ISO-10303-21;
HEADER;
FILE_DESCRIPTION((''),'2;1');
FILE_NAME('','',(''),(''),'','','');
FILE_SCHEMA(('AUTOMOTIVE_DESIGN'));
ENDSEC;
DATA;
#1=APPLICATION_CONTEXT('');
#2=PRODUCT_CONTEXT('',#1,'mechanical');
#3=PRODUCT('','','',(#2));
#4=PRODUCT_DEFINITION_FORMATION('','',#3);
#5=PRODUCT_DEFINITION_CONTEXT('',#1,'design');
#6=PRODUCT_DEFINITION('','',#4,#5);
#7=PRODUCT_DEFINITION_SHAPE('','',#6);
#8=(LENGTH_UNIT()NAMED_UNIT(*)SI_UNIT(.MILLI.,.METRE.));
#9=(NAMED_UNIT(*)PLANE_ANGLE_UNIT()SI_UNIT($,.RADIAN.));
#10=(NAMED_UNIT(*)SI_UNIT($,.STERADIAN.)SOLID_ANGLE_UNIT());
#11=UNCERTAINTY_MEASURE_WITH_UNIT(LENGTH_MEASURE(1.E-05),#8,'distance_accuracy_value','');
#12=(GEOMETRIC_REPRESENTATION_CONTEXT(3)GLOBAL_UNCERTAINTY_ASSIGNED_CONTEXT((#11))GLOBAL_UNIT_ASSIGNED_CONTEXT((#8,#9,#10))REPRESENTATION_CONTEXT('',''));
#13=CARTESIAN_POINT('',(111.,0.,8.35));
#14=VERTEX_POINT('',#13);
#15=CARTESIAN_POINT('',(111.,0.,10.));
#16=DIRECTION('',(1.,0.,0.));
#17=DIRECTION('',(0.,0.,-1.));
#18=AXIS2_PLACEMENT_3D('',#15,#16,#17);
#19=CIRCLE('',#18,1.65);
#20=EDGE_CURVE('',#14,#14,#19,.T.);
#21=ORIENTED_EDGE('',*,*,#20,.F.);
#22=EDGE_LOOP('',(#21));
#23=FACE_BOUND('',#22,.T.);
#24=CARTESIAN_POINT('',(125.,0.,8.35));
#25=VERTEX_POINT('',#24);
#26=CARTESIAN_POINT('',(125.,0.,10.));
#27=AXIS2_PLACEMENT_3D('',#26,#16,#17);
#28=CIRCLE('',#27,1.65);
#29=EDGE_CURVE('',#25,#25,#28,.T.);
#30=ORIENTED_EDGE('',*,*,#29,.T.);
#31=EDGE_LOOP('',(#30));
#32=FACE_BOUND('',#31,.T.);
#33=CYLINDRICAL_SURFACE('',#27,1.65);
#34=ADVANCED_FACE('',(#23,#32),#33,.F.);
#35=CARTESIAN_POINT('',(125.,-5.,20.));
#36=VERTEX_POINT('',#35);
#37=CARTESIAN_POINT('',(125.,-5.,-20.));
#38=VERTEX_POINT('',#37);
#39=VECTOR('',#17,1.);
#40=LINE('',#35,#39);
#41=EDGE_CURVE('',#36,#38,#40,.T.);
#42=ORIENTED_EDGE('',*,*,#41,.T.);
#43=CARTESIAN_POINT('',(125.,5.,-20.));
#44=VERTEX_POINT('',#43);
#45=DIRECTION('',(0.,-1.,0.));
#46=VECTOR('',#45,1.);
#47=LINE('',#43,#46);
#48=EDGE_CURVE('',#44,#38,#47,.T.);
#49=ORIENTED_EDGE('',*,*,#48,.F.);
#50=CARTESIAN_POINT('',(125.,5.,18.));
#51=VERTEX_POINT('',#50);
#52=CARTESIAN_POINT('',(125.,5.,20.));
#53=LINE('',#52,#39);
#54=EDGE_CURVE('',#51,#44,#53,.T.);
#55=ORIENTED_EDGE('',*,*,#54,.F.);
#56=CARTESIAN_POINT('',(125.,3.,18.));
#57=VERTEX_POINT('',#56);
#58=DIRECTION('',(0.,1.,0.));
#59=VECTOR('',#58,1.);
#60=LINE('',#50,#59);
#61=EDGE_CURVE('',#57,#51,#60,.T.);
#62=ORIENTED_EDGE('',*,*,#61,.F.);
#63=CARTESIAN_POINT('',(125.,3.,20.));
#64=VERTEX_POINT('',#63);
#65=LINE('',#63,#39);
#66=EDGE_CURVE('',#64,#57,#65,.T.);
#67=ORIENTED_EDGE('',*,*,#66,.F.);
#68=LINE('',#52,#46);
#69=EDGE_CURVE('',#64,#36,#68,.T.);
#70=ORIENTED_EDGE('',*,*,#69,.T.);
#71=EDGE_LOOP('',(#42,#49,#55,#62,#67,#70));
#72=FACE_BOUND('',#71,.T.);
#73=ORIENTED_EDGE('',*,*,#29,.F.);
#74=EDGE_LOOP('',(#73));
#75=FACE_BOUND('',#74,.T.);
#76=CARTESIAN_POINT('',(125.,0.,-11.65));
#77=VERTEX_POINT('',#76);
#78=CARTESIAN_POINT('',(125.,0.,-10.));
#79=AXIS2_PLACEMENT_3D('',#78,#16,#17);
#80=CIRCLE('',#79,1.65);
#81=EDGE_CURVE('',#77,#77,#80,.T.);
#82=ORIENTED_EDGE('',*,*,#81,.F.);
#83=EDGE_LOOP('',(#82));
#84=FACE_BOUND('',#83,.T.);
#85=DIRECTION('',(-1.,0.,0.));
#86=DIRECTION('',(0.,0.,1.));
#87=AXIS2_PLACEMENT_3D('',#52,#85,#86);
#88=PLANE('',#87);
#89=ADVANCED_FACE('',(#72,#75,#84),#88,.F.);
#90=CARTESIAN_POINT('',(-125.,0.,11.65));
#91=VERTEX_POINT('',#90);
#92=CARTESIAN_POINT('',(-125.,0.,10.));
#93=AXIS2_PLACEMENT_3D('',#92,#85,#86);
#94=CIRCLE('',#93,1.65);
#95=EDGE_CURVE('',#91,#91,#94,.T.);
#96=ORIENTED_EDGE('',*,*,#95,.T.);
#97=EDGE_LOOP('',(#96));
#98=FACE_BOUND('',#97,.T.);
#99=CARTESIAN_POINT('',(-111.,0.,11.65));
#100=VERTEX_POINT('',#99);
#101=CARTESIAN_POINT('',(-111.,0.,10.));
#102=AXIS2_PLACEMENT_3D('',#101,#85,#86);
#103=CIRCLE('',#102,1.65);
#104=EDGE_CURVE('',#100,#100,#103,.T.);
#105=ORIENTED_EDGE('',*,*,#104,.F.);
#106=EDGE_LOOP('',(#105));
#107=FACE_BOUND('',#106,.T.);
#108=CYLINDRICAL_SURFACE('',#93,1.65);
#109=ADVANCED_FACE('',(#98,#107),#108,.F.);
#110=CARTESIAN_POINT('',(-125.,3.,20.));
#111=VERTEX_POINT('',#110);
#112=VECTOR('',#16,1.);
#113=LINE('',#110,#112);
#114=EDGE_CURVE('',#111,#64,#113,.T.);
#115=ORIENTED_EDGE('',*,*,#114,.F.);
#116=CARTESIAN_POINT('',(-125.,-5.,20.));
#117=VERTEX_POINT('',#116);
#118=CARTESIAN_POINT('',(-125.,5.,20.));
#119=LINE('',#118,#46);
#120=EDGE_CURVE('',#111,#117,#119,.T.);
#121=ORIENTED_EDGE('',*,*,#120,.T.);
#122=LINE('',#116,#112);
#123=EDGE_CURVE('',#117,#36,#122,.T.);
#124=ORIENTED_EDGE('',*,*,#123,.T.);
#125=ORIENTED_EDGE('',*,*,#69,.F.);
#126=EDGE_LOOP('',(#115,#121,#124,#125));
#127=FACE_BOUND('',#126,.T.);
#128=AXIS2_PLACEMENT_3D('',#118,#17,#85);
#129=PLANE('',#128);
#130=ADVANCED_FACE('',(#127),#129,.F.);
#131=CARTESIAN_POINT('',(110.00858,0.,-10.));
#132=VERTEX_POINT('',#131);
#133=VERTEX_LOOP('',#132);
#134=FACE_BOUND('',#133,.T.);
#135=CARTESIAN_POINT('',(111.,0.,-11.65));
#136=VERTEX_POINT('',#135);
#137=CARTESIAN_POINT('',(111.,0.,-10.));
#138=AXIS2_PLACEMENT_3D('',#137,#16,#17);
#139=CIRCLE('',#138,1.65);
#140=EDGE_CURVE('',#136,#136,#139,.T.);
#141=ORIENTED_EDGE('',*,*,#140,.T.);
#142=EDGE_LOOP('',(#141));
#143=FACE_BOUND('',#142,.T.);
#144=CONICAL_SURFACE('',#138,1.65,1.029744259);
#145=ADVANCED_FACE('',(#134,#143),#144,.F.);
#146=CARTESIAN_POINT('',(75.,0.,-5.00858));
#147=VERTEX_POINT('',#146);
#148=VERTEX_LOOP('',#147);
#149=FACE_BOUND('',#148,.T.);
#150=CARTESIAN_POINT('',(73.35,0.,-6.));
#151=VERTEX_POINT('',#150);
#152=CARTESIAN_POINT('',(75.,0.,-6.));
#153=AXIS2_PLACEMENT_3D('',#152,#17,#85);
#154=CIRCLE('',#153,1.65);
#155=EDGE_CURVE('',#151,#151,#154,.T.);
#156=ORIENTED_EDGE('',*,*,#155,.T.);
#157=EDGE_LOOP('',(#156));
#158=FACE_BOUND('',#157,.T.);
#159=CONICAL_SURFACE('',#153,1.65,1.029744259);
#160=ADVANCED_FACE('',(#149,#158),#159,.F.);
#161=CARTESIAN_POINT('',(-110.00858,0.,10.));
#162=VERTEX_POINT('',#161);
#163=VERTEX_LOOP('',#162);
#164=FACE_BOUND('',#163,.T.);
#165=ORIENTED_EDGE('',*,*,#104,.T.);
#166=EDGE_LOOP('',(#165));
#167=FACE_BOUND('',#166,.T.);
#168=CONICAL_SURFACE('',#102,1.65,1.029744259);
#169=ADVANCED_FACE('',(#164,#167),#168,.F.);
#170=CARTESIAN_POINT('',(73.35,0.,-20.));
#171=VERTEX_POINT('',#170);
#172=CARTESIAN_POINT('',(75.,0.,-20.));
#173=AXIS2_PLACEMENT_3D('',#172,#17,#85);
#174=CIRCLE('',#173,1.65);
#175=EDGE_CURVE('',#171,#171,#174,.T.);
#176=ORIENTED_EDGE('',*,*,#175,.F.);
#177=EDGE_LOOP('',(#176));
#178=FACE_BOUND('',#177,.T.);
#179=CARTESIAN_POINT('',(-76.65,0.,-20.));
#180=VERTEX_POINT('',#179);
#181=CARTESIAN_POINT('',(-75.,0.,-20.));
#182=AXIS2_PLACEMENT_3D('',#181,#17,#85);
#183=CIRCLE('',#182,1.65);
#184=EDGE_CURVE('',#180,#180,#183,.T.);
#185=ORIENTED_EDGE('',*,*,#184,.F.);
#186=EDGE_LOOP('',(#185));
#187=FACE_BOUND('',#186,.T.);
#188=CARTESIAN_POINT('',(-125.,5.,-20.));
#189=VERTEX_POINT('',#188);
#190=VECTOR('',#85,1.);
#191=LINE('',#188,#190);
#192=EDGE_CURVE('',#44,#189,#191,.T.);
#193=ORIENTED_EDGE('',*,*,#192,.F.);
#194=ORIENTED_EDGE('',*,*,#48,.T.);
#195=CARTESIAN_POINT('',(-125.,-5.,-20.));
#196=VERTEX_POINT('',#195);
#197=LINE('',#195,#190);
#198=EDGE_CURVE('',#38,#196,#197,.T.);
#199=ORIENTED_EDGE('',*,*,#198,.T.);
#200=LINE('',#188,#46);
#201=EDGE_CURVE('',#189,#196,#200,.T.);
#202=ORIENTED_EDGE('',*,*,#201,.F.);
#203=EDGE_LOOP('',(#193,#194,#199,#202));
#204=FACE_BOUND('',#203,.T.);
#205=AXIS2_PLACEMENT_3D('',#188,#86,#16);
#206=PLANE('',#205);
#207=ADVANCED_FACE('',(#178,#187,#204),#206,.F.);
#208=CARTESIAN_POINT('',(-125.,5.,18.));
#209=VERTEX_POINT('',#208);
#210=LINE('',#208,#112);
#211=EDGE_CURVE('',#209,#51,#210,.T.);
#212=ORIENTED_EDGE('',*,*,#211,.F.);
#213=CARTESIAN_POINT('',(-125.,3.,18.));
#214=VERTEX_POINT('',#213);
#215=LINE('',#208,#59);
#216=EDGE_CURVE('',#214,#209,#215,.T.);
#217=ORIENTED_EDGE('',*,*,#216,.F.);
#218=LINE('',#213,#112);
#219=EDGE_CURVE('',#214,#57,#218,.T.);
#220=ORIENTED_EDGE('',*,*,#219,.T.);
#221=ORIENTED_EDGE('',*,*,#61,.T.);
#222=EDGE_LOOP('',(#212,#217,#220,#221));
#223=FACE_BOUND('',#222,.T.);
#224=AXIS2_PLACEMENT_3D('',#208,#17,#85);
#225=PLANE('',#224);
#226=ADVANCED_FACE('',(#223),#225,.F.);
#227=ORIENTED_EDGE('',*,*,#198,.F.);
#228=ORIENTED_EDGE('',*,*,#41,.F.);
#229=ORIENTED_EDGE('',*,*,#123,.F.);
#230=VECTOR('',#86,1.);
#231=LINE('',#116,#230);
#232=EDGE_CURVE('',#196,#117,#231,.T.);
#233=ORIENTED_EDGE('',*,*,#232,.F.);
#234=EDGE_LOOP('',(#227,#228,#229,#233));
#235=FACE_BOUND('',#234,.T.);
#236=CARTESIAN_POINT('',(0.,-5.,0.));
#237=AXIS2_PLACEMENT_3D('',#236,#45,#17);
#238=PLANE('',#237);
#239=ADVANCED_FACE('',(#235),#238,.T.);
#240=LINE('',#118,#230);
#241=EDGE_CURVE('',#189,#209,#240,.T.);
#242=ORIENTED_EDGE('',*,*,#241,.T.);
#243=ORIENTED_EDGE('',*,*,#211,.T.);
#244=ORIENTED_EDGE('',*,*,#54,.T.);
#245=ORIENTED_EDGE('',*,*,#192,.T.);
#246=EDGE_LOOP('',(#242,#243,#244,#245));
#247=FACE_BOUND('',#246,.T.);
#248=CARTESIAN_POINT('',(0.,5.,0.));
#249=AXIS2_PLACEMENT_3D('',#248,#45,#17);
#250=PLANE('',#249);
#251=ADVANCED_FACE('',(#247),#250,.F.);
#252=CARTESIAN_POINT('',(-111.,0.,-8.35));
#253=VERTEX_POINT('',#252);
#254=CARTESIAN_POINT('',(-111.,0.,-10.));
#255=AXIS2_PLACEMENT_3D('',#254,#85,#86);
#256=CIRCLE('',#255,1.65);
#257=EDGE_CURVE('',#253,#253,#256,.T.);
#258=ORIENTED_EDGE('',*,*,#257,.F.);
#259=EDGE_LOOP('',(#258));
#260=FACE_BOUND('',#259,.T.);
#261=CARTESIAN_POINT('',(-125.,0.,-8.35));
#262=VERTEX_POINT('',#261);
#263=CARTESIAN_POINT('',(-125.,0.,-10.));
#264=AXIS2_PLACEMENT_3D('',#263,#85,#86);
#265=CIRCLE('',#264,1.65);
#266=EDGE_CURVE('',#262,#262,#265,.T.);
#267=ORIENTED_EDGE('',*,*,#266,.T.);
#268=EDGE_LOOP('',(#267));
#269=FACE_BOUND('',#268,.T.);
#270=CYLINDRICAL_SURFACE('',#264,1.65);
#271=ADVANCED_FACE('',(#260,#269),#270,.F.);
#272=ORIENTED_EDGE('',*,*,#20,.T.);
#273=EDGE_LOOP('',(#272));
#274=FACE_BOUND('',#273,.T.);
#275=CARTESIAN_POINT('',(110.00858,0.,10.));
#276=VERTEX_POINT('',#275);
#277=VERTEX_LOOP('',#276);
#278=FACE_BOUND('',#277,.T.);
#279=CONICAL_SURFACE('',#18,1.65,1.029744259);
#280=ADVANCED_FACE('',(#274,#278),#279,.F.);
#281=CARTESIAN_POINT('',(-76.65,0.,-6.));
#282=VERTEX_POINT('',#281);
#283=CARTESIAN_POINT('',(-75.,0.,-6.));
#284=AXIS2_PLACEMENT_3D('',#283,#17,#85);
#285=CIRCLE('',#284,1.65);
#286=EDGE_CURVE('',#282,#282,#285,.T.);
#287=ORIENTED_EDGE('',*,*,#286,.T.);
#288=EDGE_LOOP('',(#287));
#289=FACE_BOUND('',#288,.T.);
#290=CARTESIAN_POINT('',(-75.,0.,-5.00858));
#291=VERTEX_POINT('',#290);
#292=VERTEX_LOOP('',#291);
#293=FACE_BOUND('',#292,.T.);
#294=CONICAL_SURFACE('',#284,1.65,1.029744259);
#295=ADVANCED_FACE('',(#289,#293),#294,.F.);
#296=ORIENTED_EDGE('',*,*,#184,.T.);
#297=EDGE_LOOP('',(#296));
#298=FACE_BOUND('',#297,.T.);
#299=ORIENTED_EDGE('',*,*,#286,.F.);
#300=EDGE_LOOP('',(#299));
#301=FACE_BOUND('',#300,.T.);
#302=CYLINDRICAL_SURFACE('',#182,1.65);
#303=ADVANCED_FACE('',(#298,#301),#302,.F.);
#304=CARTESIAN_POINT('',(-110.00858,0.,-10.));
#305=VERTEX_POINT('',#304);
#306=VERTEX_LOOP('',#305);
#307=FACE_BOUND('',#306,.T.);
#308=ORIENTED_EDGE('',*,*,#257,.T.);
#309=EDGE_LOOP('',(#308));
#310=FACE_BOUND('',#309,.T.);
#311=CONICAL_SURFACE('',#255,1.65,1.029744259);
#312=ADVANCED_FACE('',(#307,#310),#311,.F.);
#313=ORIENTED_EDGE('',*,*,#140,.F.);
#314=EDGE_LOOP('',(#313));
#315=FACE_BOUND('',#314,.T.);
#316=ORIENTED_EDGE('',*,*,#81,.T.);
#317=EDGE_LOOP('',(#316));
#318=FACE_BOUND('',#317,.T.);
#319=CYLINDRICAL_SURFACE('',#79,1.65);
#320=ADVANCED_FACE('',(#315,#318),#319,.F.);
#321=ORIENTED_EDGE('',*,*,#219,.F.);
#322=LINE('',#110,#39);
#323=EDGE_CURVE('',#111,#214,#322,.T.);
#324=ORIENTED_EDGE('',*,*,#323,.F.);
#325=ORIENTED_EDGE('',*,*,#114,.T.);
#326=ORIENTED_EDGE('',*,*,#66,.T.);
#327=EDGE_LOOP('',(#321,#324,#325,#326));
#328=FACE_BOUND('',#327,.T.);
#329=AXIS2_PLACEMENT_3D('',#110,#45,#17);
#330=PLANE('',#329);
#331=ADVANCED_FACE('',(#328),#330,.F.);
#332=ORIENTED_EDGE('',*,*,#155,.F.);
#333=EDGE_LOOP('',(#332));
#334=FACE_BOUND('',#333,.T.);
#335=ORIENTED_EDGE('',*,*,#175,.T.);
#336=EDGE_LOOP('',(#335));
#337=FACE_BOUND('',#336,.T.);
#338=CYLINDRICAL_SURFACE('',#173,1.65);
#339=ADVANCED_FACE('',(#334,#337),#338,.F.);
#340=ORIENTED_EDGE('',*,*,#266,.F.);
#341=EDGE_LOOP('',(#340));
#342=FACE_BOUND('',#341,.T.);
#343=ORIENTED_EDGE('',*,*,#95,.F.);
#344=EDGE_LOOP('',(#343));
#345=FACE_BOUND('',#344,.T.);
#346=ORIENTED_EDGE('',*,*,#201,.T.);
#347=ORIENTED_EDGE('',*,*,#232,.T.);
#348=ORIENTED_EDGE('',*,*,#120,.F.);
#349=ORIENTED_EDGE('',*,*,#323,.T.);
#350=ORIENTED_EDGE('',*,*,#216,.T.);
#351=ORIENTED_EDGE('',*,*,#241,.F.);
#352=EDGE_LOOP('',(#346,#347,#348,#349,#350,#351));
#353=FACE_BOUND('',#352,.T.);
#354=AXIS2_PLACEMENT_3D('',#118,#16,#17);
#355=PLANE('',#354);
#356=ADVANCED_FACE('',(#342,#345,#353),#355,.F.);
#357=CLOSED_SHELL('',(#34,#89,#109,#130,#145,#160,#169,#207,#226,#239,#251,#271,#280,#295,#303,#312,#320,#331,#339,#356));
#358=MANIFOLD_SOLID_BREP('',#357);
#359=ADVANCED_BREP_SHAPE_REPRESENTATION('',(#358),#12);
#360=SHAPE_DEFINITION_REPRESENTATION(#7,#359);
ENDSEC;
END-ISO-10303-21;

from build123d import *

# Parameters (mm, degrees)
SKETCH1_W                  = 250
SKETCH1_H                  = 40
BOSS_EXTRUDE1_DEPTH        = 5
SKETCH5_W                  = 2
SKETCH5_H                  = 2
CUT_EXTRUDE2_DEPTH         = 126
CUT_EXTRUDE2_DEPTH_BACK    = 126
M4_TAPPED_HOLE1_AT_2_COUNT = 2
M4_TAPPED_HOLE1_AT_2_PITCH = 20
M4X0_7_TAPPED_HOLE1_D      = 3.3
M4X0_7_TAPPED_HOLE1_DEPTH  = 14
M4X0_7_TAPPED_HOLE1_TIP    = 0.991420021


with BuildPart() as part:
    # Sketch1 → Boss-Extrude1 (new body, symmetric)
    with BuildSketch(Plane(origin=(0, 0, 0), x_dir=(1, 0, 0), z_dir=(0, 1, 0))):
        Rectangle(SKETCH1_W, SKETCH1_H)
    extrude(amount=BOSS_EXTRUDE1_DEPTH, both=True)

    # Sketch5 → Cut-Extrude2 (cut, two sides)
    with BuildSketch(Plane(origin=(0, 0, 0), x_dir=(0, 0, -1), z_dir=(1, 0, 0))) as cut_extrude2_sk:
        with Locations((-19, 4)):
            Rectangle(SKETCH5_W, SKETCH5_H)
    extrude(amount=CUT_EXTRUDE2_DEPTH, mode=Mode.SUBTRACT)
    extrude(cut_extrude2_sk.sketch, amount=-CUT_EXTRUDE2_DEPTH_BACK, mode=Mode.SUBTRACT)

    # Sketch8 → M4 Tapped Hole1 (revolve, cut)
    with BuildSketch(Plane(origin=(125, 0, -10), x_dir=(0, 0, -1), z_dir=(0, 1, 0))):
        Polygon((0, 0), (0, 14.991420021), (1.65, 14), (1.65, 0), align=None)
    m4_tapped_hole1 = revolve(axis=Axis((131.35, 0, -10), (-1, 0, 0)), mode=Mode.SUBTRACT)

    # M4 Tapped Hole1 at 2: M4 Tapped Hole1 ×2
    with Locations(*[(0, 0, i * M4_TAPPED_HOLE1_AT_2_PITCH) for i in range(1, M4_TAPPED_HOLE1_AT_2_COUNT)]):
        add(m4_tapped_hole1, mode=Mode.SUBTRACT)

    # Mirror1: M4 Tapped Hole1 across plane
    add(m4_tapped_hole1.mirror(Plane(origin=(0, 0, 0), x_dir=(0, 0, 1), z_dir=(1, 0, 0))), mode=Mode.SUBTRACT)

    # Mirror1 copy 1 sketch → Mirror1 copy 1 (revolve, cut)
    with BuildSketch(Plane(origin=(-125, 0, 10), x_dir=(0, 0, -1), z_dir=(0, 1, 0))):
        Polygon((0, 0), (0, -14.991420021), (1.65, -14), (1.65, 0), align=None)
    revolve(axis=Axis((-131.35, 0, 10), (-1, 0, 0)), mode=Mode.SUBTRACT)

    # M4x0.7 Tapped Hole1
    with Locations(Plane(origin=(0, 0, -20), x_dir=(-1, 0, 0), z_dir=(0, 0, -1))):
        with Locations((-75, 0), (75, 0)):
            Hole(M4X0_7_TAPPED_HOLE1_D / 2, depth=M4X0_7_TAPPED_HOLE1_DEPTH)
            with Locations((0, 0, -(M4X0_7_TAPPED_HOLE1_DEPTH + M4X0_7_TAPPED_HOLE1_TIP / 2))):  # 118° drill point
                Cone(0, M4X0_7_TAPPED_HOLE1_D / 2, M4X0_7_TAPPED_HOLE1_TIP, mode=Mode.SUBTRACT)


solid = part.part
